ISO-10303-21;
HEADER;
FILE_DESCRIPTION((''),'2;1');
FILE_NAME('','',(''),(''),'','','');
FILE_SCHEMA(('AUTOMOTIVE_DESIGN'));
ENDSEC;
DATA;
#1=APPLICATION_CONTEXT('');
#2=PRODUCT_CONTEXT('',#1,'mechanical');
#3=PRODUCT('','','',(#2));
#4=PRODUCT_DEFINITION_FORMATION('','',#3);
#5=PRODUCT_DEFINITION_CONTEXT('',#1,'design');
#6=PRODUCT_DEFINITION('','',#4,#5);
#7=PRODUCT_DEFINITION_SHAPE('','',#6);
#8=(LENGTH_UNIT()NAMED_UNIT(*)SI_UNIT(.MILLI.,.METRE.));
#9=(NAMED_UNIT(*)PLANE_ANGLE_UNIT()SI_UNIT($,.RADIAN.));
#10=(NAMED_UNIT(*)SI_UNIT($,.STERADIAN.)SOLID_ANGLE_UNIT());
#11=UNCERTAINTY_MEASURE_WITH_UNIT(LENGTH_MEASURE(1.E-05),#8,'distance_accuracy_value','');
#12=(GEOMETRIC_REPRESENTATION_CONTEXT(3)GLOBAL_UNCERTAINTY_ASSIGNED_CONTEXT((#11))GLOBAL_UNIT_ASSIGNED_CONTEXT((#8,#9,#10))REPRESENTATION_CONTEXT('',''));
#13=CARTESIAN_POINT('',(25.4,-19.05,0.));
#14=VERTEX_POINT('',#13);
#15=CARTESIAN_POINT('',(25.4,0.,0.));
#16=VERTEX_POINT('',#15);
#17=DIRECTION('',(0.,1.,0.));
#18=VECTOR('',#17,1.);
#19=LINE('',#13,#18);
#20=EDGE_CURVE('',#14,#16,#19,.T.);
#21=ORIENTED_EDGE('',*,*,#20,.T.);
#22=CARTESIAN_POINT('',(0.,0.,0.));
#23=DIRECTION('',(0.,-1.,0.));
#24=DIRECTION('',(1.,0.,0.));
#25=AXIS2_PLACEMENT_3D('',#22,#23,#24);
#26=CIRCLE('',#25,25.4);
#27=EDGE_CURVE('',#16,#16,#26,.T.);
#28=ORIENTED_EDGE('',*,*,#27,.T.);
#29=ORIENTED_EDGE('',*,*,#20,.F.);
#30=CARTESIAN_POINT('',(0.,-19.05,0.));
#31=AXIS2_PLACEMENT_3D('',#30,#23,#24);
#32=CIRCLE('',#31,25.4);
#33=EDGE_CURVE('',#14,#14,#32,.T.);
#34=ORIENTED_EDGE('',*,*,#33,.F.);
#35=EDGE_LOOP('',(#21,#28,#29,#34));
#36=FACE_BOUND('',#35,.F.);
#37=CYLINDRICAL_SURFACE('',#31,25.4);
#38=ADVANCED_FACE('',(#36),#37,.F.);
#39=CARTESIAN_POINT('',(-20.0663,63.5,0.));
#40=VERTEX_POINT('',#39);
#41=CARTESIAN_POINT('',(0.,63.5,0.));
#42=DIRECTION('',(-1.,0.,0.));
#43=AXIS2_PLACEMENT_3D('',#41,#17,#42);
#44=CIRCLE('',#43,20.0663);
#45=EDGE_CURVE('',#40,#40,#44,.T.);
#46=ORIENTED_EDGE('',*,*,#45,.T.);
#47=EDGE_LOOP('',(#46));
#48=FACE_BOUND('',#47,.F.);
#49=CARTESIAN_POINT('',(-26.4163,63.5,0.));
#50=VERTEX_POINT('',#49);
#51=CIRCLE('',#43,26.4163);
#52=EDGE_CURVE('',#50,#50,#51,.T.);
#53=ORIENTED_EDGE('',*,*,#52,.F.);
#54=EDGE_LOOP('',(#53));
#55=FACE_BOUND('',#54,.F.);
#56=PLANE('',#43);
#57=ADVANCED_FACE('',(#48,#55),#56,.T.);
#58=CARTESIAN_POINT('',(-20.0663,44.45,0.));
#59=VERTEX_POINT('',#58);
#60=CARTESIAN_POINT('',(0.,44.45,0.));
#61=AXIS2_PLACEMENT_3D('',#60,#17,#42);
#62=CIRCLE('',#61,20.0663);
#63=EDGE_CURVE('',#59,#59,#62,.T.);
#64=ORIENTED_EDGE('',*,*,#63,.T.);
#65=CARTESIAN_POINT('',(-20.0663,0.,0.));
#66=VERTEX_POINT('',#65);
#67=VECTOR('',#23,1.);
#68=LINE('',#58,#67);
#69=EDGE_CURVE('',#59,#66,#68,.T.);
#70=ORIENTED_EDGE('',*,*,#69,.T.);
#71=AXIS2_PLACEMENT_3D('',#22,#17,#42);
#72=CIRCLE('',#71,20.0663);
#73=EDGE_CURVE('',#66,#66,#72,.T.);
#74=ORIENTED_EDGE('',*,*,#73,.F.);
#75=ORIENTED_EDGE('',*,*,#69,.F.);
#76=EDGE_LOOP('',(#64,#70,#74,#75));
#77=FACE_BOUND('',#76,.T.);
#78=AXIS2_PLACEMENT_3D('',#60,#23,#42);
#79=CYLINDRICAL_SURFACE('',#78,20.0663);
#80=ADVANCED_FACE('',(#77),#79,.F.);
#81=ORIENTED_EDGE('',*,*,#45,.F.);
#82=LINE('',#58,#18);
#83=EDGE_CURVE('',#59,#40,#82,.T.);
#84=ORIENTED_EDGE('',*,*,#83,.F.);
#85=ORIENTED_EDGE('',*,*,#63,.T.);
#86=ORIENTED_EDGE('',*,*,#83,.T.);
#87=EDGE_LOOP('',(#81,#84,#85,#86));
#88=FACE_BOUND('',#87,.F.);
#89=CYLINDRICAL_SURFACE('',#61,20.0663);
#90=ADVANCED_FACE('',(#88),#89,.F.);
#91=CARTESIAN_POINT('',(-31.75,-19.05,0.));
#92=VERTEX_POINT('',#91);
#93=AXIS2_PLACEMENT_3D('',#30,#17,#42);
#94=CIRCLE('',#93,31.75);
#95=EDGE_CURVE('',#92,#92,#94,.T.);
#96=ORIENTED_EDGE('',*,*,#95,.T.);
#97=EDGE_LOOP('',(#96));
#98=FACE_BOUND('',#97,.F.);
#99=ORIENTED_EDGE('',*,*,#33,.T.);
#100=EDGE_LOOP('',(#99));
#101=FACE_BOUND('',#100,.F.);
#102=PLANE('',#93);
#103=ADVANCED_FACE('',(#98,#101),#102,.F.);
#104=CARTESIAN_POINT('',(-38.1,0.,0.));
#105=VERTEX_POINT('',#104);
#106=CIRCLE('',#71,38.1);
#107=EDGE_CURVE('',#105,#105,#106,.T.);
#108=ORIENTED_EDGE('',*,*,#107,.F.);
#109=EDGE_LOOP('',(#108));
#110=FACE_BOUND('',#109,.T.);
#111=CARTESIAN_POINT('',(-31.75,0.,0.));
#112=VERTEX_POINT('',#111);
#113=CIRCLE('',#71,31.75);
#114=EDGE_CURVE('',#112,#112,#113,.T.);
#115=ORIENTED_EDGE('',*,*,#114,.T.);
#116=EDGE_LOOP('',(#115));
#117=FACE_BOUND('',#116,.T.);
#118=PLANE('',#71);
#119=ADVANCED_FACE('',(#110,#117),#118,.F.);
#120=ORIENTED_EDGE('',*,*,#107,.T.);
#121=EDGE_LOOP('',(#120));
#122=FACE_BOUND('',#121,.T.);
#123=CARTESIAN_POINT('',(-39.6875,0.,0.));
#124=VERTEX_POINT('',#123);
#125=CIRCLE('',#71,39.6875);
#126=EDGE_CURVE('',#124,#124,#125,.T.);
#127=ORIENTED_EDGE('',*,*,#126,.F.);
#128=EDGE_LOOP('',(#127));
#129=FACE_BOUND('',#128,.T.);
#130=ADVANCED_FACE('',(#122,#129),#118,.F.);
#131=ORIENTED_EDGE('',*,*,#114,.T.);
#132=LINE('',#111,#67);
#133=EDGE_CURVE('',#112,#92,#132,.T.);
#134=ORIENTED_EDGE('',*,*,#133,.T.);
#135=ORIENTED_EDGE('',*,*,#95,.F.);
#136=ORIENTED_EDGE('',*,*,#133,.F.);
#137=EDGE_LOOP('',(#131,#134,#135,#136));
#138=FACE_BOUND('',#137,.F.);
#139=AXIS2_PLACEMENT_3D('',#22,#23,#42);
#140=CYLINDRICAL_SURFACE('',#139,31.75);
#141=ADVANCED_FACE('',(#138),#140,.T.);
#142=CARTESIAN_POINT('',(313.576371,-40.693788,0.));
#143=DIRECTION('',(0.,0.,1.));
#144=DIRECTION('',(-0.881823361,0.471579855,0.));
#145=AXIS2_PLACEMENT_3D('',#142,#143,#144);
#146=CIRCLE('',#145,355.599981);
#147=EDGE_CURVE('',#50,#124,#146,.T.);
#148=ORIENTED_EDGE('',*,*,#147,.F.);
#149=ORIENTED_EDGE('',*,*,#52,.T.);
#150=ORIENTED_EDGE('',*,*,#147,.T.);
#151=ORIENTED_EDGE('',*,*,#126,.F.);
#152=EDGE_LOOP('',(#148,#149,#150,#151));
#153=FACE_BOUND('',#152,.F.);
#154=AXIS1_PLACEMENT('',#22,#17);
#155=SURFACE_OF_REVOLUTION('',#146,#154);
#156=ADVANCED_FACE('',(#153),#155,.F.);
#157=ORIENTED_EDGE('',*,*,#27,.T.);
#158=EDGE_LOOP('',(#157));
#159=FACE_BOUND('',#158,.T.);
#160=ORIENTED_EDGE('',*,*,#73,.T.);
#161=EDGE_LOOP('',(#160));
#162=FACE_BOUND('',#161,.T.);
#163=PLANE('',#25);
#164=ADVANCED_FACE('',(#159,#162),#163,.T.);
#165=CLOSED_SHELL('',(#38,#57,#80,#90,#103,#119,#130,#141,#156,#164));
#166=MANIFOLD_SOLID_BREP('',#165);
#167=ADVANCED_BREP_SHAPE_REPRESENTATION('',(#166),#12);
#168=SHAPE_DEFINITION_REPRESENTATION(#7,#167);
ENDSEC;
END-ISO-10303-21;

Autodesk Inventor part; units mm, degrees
ref_plane "YZ Plane" through (0, 0, 0) normal (1, 0, 0) x (0, 1, 0)
ref_plane "XZ Plane" through (0, 0, 0) normal (0, 1, 0) x (-1, 0, 0)
ref_plane "XY Plane" through (0, 0, 0) normal (0, 0, 1) x (1, 0, 0)
sketch "Sketch1" plane through (0, 0, 0) normal (0, 0, 1) x (1, 0, 0)
  line L0 (0, 0) -> (-39.6875, 0)
  line L1 (0, 0) -> (0, 127)
  arc A0 (0, 127) -> (-39.6875, 0) centre (313.5764, -40.6938) ccw
  line L2 (0, 0) -> (-38.1, 0)
  line L3 (-38.1, 0) -> (-38.1, -38.1)
  line L4 (-38.1, -38.1) -> (0, -38.1)
  line L5 (0, -38.1) -> (0, 0)
  line L6 (0, 63.5) -> (-26.4163, 63.5)
  line L7 (-20.0663, 63.5) -> (0, 63.5)
  line L8 (0, 63.5) -> (0, 44.45)
  line L9 (0, 44.45) -> (-20.0663, 44.45)
  line L10 (-20.0663, 44.45) -> (-20.0663, 63.5)
  line L11 (-20.0663, 44.45) -> (-20.0663, 0)
  line L12 (-20.0663, 0) -> (-31.75, 0)
  line L13 (-31.75, 0) -> (-31.75, -19.05)
  line L14 (-31.75, -19.05) -> (-20.0663, -19.05)
  line L15 (-20.0663, -19.05) -> (-20.0663, 0)
  line L16 (-31.75, -19.05) -> (-31.75, -38.1)
  dimension "d0" = 39.6875
  dimension "d1" = 127
  dimension "d3" = 355.6
  dimension "d5" = 38.1
  dimension "d6" = 38.1
  dimension "d7" = 63.5
  dimension "d9" = 19.05
  dimension "d10" = 6.35
  dimension "d11" = 19.05
  dimension "d12" = 6.35
revolve "Revolution1" add sketch "Sketch1" angle 360 about axis through (0, 0, 0) along (0, 1, 0) contours L15 L14 L13 L0 | L0 A0 L6 L10 L11
sketch "Sketch2" plane through (0, -19.05, 0) normal (0, -1, 0) x (1, 0, 0)
  circle A0 centre (0, 0) radius 26.4163 projected
  circle A1 centre (0, 0) radius 25.4
  circle A2 centre (0, 0) radius 31.75 projected
  dimension "d13" = 6.35
extrude "Extrusion1" cut sketch "Sketch2" against normal blind 19.05 contours A1
properties part number "NoseCone_S2"
